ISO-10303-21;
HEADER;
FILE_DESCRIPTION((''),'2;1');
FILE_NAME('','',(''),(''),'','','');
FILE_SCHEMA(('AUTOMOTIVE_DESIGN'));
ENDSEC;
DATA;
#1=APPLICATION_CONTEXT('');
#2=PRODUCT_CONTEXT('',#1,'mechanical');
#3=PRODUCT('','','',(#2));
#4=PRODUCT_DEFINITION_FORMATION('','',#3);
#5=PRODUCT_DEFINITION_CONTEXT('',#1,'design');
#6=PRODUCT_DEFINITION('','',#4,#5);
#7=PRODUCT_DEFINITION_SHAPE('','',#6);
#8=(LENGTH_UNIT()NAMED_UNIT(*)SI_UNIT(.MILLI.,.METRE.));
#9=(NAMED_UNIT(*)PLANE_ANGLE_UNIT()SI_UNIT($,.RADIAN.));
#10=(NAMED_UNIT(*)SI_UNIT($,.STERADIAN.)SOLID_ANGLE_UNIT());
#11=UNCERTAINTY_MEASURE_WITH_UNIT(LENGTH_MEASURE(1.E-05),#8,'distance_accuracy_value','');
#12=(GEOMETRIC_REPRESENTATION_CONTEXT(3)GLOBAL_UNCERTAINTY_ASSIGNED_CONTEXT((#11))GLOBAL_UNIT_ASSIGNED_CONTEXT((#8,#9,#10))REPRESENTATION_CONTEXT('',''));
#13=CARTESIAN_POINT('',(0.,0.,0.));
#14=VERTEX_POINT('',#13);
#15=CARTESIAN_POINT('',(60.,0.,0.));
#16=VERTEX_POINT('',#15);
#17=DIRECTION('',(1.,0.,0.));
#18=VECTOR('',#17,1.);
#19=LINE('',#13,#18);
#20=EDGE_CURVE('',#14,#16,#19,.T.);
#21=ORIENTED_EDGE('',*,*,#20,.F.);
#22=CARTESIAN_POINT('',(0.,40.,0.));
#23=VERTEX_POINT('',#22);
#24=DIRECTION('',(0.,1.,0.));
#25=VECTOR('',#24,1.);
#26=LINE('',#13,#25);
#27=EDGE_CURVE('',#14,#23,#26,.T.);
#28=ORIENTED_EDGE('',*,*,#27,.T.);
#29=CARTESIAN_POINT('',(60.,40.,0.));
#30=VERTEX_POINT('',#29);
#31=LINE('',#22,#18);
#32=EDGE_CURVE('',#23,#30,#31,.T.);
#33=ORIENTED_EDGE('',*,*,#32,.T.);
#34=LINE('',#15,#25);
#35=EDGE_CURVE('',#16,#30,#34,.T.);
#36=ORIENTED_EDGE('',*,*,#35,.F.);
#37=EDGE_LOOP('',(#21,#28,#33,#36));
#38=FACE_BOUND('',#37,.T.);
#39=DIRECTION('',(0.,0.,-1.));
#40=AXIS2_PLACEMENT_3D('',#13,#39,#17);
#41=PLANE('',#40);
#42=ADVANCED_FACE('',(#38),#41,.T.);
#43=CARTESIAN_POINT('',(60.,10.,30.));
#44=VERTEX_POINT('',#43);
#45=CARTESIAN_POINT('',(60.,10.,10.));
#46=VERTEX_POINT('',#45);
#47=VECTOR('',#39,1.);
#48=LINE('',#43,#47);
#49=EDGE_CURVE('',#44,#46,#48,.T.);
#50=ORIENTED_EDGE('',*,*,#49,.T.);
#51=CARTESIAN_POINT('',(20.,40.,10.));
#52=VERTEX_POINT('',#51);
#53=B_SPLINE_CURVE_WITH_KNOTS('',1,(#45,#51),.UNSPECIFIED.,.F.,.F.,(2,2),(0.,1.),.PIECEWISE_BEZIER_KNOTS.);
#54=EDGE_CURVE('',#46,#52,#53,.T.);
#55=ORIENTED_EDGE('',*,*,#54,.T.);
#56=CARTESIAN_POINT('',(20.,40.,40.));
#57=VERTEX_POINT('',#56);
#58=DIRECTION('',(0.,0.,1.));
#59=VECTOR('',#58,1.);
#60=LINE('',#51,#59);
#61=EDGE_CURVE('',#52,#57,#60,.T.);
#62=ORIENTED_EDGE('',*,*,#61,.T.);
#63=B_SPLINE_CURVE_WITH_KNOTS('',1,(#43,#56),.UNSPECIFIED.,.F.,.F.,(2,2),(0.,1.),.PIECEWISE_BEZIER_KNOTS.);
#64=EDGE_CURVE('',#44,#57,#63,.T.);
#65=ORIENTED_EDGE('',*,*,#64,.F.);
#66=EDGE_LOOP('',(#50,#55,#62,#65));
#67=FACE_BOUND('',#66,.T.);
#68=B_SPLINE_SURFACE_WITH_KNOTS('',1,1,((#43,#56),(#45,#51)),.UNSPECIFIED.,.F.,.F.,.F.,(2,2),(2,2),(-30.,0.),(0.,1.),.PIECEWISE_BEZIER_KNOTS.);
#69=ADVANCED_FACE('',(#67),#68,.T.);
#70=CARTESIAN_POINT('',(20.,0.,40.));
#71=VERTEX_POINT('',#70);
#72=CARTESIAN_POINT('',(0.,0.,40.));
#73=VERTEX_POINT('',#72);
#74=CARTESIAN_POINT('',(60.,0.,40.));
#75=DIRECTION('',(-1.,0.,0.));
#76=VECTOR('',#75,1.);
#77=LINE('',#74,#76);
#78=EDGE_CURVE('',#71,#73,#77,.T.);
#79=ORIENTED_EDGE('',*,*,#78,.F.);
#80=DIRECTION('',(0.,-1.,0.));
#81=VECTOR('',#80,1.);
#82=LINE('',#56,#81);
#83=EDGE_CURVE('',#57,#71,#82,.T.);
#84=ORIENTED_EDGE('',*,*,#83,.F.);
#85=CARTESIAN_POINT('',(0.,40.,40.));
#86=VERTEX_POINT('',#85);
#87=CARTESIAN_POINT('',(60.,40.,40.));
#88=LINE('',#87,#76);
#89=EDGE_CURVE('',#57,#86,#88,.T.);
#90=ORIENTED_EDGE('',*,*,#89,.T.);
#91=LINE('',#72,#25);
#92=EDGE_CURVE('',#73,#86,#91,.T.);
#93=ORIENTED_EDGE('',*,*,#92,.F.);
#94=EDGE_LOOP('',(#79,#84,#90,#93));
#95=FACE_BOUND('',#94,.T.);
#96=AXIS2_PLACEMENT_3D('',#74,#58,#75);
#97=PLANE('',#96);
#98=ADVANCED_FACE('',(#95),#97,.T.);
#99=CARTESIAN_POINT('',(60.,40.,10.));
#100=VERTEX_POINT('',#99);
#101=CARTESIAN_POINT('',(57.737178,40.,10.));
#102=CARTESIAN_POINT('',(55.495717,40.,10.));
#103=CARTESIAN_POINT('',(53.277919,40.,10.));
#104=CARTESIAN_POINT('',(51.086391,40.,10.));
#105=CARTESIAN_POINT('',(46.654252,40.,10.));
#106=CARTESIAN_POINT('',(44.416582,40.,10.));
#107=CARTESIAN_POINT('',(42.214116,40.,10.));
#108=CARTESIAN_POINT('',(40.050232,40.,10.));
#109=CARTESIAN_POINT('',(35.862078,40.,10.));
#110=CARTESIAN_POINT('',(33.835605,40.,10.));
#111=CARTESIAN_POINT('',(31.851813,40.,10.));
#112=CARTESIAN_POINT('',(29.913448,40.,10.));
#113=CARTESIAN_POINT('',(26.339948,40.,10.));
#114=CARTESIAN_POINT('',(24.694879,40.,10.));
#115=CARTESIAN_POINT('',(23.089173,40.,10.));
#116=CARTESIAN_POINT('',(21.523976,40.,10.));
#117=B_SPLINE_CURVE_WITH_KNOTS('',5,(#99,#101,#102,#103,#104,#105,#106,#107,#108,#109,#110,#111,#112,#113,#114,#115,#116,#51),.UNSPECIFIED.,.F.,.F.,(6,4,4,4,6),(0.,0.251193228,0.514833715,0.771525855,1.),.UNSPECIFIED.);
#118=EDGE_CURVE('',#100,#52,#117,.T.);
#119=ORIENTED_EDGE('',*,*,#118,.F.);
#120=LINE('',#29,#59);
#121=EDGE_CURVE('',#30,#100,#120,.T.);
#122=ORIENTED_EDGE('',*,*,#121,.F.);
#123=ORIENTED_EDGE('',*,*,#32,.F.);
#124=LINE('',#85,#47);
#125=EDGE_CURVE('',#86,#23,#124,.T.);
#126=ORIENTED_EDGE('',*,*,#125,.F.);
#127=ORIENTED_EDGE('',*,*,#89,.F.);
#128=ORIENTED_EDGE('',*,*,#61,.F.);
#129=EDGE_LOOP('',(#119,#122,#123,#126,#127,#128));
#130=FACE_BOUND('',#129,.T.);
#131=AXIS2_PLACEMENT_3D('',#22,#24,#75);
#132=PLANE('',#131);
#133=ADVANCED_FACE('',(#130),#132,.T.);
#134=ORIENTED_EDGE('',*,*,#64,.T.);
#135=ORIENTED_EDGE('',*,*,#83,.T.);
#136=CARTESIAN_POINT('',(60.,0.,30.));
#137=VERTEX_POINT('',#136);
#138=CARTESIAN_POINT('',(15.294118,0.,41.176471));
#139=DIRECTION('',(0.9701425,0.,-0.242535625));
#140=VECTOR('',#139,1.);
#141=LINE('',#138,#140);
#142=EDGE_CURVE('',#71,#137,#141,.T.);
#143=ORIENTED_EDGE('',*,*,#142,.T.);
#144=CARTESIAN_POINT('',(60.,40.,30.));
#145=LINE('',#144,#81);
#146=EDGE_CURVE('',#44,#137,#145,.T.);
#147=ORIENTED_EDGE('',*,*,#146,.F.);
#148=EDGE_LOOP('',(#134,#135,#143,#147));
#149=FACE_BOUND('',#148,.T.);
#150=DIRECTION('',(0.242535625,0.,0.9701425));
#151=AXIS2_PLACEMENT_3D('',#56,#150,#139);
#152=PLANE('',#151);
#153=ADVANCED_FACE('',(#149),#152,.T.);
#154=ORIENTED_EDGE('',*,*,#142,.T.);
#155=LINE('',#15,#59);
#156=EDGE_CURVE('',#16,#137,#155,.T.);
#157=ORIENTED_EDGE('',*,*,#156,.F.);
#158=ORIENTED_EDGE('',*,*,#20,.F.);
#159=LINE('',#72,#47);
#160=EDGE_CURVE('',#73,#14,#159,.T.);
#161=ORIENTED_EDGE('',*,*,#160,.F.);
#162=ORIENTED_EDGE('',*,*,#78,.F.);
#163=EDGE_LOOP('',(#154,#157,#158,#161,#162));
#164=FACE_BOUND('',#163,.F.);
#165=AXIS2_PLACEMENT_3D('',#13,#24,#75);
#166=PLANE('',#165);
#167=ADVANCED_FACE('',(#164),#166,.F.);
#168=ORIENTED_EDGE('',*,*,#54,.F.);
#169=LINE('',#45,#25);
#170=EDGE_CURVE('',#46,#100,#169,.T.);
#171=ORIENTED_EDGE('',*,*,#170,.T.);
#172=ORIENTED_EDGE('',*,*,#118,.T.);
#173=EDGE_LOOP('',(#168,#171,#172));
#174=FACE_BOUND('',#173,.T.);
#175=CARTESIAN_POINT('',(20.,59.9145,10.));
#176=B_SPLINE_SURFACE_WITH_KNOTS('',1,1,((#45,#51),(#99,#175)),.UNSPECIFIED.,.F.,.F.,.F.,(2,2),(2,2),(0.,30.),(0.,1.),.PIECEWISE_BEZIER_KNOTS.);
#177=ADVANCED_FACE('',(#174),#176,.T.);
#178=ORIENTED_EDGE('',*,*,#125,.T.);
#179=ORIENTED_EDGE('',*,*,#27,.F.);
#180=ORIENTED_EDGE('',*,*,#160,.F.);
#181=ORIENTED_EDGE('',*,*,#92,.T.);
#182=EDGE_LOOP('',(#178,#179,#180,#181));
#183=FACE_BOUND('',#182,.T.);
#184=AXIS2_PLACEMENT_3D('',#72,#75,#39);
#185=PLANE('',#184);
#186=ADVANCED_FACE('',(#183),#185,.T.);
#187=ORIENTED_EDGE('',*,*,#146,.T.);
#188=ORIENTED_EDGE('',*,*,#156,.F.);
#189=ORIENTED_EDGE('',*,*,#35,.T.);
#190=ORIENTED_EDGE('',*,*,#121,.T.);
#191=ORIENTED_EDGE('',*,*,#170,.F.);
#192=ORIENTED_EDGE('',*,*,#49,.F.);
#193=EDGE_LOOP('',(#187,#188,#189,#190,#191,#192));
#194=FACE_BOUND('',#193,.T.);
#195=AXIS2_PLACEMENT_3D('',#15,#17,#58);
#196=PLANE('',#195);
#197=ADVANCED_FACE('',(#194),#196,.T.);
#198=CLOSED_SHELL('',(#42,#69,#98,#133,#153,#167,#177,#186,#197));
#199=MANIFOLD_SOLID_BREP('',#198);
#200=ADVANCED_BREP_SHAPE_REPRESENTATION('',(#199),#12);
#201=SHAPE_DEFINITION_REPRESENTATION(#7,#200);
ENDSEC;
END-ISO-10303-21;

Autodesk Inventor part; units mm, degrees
ref_plane "YZ Plane" through (0, 0, 0) normal (1, 0, 0) x (0, 1, 0)
ref_plane "XZ Plane" through (0, 0, 0) normal (0, 1, 0) x (-1, 0, 0)
sketch "草圖1" plane through (0, 0, 0) normal (0, 1, 0) x (-1, 0, 0)
  line L0 (0, 0) -> (-60, 0)
  line L1 (-60, 0) -> (-60, 40)
  line L2 (-60, 40) -> (0, 40)
  line L3 (0, 40) -> (0, 0)
  dimension "d0" = 60
  dimension "d1" = 40
extrude "擠出1" add sketch "草圖1" along normal blind 40
sketch "草圖2" plane through (0, 40, 0) normal (0, 1, 0) x (1, 0, 0)
  line L0 (60, -40) -> (0, -40) projected
  line L1 (0, -40) -> (0, 0) projected
  line L2 (0, 0) -> (60, 0) projected
  line L3 (60, 0) -> (60, -40) projected
  line L4 (0, -40) -> (60, -40) projected
  line L5 (20, -40) -> (60, -30)
  dimension "d4" = 30
  dimension "d5" = 20
extrude "擠出2" cut sketch "草圖2" against normal through all contours L0 L5 L3
sketch "草圖3" plane through (60, 0, 0) normal (1, 0, 0) x (0, 0, -1)
  line L0 (0, 40) -> (0, 0) construction
  line L1 (0, 0) -> (-30, 0) construction
  line L2 (-30, 0) -> (-30, 40) construction
  line L3 (-30, 40) -> (0, 40) construction
  line L4 (-40, 0) -> (-40, 40) construction
  line L5 (-40, 40) -> (-30, 10)
  line L6 (-30, 10) -> (-10, 10)
  line L7 (-30, 40) -> (-30, 0) construction
  line L8 (-10, 10) -> (-10, 40)
  line L9 (0, 40) -> (-40, 40) construction
  line L10 (-10, 40) -> (-40, 40)
  dimension "d8" = 10
  dimension "d9" = 10
  dimension "d10" = 30
ref_plane "工作平面1" through (20, 40, 40) normal (-1, 0, 0) x (0, 0, 1)
sketch "草圖4" plane through (20, 40, 40) normal (-1, 0, 0) x (0, 0, 1)
  line L0 (-40, -40) -> (-40, 0) construction
  line L1 (-40, 0) -> (0, 0) construction
  line L2 (0, 0) -> (0, -40) construction
  line L3 (0, -40) -> (-40, -40) construction
  line L4 (0, 19.9145) -> (-30, 19.9145)
  line L5 (-30, 19.9145) -> (-30, 0)
  line L6 (-30, 0) -> (0, 0)
  line L7 (0, 0) -> (0, 19.9145)
  line L8 (0, -40) -> (0, 0) projected
  dimension "d11" = 10
loft "斷面混成1" cut profiles "草圖3", "草圖4"
properties part number "50" material "鋼、碳鋼"
